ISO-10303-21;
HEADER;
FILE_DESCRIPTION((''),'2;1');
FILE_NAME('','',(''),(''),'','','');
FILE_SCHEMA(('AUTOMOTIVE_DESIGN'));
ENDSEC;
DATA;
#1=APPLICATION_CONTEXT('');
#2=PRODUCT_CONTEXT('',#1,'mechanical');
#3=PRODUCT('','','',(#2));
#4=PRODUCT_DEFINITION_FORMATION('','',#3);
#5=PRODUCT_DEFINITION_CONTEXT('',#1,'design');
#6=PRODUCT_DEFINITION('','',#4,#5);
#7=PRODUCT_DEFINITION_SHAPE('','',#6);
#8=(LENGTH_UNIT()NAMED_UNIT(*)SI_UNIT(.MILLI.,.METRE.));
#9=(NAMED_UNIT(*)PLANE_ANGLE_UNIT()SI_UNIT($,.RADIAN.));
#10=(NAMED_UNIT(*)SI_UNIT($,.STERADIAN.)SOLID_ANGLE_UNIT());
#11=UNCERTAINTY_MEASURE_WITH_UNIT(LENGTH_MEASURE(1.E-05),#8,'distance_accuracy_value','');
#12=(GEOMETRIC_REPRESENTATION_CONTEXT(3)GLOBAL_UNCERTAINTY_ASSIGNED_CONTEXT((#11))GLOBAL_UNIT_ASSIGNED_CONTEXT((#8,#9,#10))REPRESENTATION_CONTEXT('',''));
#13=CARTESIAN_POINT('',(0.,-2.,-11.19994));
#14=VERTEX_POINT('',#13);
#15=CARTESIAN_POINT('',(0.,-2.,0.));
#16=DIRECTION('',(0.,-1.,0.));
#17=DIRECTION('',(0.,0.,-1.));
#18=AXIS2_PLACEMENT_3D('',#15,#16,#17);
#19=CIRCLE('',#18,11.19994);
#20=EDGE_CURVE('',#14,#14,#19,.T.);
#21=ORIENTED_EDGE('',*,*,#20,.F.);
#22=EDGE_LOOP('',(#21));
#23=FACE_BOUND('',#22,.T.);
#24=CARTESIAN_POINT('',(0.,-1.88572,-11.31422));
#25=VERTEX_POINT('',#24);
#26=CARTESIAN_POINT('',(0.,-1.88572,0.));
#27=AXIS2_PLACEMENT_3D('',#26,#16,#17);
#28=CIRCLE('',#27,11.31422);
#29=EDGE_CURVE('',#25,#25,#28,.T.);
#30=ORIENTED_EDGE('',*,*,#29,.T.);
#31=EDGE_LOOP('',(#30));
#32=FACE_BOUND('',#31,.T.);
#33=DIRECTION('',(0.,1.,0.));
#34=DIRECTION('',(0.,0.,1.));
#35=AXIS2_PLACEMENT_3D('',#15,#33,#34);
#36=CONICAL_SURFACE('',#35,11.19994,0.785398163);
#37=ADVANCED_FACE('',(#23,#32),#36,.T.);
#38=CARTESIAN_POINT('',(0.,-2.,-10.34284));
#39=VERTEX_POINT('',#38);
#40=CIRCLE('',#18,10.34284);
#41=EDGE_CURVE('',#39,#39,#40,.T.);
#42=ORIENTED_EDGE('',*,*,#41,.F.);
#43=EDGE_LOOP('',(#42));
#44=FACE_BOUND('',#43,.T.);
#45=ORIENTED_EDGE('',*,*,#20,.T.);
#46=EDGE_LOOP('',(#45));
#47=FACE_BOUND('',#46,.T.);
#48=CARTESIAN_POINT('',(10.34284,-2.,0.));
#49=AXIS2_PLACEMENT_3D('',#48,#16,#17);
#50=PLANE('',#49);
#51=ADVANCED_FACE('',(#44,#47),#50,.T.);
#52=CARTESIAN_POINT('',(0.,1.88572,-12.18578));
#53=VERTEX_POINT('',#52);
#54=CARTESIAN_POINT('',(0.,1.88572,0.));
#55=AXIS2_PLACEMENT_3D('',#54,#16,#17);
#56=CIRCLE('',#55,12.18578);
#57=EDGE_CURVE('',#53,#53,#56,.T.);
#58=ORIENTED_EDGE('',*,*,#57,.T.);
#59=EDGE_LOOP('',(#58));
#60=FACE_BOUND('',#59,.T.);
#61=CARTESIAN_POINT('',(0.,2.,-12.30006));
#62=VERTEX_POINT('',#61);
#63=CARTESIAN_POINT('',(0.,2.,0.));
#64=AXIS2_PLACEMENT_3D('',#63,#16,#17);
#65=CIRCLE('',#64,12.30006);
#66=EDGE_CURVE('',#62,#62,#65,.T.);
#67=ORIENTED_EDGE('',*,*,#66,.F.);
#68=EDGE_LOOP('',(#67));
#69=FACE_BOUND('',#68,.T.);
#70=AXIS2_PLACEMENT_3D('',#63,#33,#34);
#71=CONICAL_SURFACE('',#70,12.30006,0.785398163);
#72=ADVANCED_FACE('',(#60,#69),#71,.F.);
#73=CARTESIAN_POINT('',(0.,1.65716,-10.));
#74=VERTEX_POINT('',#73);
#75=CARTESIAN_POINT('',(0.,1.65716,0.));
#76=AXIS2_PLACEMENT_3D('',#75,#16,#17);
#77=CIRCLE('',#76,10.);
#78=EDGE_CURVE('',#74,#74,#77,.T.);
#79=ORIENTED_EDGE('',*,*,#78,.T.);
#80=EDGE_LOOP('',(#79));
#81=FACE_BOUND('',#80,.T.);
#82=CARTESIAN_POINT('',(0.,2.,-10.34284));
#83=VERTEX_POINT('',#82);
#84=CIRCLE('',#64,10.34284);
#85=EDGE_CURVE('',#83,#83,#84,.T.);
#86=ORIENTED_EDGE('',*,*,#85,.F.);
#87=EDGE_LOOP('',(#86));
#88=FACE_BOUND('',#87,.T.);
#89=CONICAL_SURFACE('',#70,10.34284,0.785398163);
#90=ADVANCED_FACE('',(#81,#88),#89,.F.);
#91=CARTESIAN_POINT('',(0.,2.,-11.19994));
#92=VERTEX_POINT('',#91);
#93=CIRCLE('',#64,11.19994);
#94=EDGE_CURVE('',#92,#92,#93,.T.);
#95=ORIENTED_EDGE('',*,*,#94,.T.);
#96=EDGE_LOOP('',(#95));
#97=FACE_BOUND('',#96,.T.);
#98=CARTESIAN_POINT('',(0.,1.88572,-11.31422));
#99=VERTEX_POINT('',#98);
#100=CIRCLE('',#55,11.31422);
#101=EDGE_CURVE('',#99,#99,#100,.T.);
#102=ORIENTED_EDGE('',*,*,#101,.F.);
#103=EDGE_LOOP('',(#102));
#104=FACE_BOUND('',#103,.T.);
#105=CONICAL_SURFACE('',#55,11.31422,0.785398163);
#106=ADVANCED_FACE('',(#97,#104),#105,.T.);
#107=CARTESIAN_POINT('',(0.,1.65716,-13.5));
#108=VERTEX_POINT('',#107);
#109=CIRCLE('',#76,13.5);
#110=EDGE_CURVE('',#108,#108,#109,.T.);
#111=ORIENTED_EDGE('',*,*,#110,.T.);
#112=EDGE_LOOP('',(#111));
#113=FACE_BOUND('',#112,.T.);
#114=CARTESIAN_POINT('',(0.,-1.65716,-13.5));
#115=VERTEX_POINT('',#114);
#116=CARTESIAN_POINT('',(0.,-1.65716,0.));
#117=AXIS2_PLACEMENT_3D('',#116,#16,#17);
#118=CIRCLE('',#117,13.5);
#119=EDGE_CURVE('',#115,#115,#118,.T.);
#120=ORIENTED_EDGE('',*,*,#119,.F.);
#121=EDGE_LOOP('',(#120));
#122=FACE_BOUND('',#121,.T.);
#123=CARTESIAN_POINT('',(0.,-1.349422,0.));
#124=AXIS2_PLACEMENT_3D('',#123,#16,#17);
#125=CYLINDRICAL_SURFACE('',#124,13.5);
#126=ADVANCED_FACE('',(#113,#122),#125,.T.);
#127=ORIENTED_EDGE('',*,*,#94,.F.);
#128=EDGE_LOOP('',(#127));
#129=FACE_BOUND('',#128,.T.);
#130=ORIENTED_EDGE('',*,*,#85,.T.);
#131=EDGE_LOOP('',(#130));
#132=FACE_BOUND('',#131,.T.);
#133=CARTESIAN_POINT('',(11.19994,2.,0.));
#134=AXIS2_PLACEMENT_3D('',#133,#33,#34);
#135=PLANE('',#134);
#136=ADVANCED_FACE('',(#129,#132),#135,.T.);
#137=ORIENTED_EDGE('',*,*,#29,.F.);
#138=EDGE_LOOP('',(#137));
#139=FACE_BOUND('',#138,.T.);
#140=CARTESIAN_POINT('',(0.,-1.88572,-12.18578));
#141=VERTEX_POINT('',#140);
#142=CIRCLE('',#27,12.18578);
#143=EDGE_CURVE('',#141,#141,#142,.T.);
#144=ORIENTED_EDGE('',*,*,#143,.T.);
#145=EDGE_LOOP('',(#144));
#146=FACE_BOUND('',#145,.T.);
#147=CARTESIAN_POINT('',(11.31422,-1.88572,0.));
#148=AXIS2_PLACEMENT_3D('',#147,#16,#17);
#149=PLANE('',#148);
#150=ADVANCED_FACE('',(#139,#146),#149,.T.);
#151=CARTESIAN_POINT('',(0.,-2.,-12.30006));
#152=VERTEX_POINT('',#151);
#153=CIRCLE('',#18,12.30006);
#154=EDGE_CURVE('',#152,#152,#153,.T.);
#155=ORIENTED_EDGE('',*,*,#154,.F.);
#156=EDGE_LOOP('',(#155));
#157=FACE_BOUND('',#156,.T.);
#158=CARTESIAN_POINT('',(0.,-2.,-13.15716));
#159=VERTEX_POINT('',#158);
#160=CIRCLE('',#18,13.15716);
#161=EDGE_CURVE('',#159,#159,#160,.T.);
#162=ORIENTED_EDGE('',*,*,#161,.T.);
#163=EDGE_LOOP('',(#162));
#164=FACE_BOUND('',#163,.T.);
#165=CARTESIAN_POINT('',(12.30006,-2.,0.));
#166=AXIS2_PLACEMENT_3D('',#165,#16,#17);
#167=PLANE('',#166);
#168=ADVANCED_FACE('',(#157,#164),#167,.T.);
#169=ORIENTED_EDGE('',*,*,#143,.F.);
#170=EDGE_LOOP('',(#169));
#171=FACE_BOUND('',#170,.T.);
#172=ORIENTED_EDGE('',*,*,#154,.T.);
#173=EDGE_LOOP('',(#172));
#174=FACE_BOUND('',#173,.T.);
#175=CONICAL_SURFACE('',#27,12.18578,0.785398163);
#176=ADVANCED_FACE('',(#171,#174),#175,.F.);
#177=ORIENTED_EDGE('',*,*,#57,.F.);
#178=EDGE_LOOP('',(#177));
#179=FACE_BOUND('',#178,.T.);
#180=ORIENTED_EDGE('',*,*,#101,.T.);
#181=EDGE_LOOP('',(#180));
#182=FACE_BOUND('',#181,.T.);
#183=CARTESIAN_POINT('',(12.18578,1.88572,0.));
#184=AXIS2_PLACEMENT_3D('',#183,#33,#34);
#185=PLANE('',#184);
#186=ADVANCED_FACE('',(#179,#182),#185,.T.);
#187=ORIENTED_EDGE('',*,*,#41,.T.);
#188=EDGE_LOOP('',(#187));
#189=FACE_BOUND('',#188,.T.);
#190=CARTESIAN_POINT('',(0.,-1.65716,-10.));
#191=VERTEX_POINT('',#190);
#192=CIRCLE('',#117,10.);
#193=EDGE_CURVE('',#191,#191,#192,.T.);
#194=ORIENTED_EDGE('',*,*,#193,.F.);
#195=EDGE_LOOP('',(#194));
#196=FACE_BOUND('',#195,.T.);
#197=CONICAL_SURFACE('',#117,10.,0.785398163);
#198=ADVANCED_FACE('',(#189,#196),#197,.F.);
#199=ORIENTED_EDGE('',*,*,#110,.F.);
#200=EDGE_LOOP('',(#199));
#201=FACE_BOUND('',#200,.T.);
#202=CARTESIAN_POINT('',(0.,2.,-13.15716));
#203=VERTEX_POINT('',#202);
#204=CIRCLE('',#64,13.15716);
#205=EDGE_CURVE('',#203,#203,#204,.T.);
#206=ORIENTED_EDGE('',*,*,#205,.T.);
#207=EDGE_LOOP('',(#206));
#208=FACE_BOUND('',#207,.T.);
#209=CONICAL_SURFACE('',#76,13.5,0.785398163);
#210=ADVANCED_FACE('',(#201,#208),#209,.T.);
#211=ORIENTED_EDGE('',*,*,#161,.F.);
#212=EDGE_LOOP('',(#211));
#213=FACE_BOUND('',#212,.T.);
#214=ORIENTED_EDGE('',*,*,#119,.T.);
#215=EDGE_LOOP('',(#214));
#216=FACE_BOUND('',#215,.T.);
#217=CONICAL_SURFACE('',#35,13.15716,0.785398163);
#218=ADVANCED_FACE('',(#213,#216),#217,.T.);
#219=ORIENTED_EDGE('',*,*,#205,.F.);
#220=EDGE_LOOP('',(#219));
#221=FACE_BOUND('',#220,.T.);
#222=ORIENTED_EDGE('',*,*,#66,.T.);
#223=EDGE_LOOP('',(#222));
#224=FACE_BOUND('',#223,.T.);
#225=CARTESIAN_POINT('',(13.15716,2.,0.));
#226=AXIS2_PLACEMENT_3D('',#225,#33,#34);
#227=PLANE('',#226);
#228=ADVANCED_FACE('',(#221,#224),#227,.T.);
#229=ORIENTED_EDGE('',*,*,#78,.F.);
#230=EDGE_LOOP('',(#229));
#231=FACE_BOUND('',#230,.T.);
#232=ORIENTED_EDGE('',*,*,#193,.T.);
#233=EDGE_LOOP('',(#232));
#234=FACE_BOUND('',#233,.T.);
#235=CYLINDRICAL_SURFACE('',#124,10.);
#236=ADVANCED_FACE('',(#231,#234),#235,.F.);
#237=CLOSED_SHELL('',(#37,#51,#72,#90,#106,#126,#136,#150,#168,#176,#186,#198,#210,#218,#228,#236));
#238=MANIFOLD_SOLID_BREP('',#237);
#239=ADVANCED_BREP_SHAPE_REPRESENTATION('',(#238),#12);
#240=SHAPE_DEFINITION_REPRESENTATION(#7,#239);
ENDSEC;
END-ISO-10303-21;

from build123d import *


with BuildPart() as part:
    # Sketch1 → Revolve1 (revolve)
    with BuildSketch(Plane.XY):
        Polygon((10, 1.65716), (10, -1.65716), (10.34284, -2), (11.19994, -2), (11.31422, -1.88572), (12.18578, -1.88572), (12.30006, -2), (13.15716, -2), (13.5, -1.65716), (13.5, 1.65716), (13.15716, 2), (12.30006, 2), (12.18578, 1.88572), (11.31422, 1.88572), (11.19994, 2), (10.34284, 2), align=None)
    revolve(axis=Axis((0, -1.349421972, 0), (0, 1, 0)))


solid = part.part
